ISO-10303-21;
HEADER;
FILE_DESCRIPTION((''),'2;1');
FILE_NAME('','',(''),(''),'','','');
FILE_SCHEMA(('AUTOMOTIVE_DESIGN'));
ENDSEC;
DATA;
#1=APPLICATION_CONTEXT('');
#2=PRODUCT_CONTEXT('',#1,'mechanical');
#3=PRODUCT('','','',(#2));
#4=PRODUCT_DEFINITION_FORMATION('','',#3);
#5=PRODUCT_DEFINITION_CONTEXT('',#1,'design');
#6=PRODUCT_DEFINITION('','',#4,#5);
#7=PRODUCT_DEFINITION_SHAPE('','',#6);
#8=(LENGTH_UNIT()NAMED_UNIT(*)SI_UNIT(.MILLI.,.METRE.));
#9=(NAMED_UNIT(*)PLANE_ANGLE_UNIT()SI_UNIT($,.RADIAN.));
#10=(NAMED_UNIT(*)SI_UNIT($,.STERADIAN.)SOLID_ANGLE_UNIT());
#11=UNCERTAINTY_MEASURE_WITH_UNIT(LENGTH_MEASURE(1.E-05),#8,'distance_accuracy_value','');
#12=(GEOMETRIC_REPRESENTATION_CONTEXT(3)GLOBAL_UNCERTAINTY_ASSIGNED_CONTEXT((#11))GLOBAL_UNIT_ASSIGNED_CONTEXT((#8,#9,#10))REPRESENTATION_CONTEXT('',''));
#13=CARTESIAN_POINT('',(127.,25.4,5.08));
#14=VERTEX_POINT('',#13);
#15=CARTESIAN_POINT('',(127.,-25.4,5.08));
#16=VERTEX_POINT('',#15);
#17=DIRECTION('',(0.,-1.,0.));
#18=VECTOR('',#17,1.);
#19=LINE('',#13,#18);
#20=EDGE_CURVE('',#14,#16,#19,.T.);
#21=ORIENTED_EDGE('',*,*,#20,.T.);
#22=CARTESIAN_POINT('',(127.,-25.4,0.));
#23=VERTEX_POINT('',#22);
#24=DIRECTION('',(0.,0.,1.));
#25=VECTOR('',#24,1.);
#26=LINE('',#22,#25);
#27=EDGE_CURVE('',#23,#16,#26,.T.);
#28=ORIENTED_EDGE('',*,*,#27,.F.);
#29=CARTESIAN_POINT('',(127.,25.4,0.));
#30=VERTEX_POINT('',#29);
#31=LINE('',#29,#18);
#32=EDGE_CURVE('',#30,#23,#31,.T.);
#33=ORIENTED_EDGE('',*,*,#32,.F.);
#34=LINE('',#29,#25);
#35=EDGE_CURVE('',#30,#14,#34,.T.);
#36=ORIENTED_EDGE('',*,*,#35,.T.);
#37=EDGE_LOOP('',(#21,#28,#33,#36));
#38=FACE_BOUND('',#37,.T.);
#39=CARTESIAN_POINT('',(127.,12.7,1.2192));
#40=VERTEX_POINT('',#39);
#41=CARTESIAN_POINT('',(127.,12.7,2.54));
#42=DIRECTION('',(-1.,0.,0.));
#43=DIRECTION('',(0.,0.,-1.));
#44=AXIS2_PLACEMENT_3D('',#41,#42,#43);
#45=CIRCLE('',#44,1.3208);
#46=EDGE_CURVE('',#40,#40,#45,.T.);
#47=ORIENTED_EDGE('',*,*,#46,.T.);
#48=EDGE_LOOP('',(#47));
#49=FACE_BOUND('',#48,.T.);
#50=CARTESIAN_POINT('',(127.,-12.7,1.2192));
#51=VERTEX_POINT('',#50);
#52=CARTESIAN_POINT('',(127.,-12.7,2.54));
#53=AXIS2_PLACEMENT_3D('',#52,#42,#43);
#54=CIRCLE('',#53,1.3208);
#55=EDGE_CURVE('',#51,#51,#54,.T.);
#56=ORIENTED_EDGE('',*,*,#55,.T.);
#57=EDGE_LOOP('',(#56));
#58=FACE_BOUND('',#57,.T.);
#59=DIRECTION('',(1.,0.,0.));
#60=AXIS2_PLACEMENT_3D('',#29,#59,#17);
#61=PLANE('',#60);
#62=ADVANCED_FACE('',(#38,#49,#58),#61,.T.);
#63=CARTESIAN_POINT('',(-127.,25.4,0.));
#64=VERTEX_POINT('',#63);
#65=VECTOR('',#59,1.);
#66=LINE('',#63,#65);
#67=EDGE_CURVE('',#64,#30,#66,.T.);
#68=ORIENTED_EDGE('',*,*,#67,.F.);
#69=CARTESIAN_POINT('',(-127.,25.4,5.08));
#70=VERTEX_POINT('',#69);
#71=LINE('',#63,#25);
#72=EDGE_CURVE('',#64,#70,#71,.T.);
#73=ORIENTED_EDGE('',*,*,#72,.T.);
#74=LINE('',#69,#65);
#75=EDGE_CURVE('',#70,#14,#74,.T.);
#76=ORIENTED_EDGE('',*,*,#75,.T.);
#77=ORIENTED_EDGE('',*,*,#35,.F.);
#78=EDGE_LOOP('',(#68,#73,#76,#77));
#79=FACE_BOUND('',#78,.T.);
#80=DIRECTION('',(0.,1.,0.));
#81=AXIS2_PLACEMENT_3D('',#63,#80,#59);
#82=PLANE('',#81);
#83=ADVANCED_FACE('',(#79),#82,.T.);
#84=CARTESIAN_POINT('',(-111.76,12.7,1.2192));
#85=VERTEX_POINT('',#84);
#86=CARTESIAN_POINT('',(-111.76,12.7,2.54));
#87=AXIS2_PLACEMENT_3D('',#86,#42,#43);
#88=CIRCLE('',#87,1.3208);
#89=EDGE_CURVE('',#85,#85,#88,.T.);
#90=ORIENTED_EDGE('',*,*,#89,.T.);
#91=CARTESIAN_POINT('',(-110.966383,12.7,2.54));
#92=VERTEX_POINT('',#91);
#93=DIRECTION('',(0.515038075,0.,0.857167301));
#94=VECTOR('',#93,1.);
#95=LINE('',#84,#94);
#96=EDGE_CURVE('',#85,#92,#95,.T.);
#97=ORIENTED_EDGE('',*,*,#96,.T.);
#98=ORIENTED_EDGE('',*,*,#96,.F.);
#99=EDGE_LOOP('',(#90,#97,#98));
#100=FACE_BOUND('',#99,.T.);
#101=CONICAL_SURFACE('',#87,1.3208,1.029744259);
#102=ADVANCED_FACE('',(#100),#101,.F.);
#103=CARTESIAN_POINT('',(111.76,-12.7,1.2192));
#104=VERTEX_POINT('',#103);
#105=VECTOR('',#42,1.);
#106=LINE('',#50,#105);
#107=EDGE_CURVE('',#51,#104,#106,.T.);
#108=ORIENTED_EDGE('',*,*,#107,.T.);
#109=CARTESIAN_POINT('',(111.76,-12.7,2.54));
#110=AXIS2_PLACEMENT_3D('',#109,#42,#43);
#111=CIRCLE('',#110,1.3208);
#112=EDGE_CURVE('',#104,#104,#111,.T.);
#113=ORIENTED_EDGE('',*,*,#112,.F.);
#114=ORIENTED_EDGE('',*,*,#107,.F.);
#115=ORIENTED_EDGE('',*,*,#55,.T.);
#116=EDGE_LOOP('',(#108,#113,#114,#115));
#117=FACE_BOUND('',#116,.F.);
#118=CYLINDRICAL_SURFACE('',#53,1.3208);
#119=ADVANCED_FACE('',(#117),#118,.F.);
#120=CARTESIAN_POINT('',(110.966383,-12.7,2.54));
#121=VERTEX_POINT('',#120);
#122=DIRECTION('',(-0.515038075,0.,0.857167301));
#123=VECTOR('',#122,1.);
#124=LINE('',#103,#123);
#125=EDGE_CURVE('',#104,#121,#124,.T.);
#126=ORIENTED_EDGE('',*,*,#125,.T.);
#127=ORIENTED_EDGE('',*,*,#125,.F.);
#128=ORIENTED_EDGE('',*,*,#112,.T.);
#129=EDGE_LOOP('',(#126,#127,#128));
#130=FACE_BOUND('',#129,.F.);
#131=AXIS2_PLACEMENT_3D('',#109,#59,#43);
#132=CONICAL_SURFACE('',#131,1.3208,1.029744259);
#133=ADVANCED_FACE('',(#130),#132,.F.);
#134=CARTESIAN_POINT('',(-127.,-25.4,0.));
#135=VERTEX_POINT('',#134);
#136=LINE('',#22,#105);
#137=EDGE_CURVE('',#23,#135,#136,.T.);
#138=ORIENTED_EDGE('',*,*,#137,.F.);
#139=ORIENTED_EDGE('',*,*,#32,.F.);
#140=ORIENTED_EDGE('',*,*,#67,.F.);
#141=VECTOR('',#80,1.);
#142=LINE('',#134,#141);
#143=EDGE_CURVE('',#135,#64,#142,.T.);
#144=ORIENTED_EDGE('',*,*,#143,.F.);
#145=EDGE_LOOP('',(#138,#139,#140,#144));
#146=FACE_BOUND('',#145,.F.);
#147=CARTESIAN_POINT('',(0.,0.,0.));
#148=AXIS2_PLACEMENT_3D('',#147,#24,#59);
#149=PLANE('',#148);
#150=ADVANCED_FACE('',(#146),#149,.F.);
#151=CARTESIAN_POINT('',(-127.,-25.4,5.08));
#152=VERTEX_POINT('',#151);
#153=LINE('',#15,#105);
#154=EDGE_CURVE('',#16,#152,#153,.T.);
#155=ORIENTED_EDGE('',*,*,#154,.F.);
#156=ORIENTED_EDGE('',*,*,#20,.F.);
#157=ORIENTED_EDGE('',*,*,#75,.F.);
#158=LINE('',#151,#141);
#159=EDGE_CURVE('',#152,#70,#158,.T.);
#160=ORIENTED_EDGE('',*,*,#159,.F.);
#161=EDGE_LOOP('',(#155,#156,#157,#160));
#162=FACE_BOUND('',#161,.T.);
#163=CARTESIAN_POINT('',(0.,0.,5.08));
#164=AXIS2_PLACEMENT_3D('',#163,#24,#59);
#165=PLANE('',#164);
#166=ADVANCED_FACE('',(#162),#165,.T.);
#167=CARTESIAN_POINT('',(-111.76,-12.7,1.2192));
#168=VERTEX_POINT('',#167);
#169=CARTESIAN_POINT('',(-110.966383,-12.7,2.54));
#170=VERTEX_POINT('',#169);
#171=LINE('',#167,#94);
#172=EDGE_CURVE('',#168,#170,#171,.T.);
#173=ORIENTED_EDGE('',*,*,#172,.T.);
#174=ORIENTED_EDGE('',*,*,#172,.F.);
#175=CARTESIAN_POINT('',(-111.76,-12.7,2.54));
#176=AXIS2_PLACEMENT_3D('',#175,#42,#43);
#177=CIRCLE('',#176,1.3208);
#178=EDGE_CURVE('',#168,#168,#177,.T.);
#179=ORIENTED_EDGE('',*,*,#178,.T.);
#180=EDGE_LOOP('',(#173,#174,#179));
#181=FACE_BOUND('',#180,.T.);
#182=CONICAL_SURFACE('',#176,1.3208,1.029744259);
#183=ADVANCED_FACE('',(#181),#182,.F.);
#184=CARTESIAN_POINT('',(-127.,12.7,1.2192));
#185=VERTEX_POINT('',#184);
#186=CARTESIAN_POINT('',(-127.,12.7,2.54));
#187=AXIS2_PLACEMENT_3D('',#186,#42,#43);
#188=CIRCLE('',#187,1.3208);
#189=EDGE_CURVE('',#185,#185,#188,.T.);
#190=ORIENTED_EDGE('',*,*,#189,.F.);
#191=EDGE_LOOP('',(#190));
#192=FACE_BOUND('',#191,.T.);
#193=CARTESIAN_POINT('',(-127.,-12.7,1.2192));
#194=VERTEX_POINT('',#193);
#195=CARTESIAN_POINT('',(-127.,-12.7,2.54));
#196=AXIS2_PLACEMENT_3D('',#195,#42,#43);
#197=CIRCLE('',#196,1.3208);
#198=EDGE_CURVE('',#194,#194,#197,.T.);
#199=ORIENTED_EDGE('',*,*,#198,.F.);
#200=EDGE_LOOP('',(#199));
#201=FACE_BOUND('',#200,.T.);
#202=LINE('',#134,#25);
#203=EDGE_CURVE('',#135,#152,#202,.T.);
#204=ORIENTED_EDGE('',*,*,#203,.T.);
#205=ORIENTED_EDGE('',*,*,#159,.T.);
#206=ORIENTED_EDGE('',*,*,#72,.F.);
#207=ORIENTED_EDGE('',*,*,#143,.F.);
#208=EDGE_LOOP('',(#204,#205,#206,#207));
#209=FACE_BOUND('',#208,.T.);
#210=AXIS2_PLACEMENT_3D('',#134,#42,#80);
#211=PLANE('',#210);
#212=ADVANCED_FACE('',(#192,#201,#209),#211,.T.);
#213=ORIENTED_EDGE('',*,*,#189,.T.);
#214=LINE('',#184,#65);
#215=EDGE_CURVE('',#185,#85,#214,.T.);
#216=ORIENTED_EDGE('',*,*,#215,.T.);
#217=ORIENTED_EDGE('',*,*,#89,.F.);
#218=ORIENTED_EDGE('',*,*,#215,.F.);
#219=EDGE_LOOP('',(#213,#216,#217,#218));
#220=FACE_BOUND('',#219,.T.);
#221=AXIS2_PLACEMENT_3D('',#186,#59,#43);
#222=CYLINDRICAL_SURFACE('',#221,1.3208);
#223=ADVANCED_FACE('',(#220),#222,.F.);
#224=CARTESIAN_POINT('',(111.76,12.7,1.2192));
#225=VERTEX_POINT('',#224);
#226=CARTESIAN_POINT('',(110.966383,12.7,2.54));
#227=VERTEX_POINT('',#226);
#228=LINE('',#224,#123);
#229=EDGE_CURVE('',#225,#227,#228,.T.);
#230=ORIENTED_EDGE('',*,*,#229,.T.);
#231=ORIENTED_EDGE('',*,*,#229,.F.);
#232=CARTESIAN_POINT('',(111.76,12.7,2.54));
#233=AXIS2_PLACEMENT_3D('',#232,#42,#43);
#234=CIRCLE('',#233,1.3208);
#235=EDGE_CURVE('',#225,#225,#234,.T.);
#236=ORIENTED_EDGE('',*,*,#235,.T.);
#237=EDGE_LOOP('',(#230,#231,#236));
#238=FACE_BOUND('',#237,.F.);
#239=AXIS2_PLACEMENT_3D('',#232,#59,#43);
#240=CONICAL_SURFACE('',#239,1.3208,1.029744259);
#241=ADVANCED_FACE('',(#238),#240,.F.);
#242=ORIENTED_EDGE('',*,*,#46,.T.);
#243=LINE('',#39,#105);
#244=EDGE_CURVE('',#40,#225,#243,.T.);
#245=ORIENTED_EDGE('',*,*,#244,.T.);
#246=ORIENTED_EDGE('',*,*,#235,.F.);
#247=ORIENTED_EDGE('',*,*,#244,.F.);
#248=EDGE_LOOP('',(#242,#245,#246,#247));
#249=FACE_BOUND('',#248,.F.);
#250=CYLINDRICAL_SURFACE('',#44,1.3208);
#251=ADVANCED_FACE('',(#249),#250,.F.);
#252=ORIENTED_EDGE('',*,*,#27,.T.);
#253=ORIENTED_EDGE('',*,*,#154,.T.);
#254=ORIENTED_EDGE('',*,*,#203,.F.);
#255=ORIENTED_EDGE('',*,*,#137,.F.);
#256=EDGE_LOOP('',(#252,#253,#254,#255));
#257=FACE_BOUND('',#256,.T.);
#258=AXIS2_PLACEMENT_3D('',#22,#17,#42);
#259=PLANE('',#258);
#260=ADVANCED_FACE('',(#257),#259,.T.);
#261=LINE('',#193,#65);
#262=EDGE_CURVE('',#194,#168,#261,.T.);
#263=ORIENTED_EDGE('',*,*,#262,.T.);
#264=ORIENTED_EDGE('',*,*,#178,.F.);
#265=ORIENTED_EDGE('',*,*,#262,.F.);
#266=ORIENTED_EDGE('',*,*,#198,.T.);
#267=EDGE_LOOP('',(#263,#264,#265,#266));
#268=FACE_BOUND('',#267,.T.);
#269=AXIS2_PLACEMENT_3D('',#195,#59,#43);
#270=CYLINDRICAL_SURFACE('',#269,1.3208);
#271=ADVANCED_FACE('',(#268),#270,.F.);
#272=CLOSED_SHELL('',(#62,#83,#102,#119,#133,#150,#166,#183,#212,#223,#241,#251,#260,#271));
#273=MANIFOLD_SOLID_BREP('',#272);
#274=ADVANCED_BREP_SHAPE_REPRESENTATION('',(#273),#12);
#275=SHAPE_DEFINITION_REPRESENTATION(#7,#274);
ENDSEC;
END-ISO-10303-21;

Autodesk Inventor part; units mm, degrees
ref_plane "YZ Plane" through (0, 0, 0) normal (1, 0, 0) x (0, 1, 0)
ref_plane "XZ Plane" through (0, 0, 0) normal (0, 1, 0) x (-1, 0, 0)
ref_plane "XY Plane" through (0, 0, 0) normal (0, 0, 1) x (1, 0, 0)
sketch "Sketch1" plane through (0, 0, 0) normal (0, 0, 1) x (1, 0, 0)
  line L0 (-127, 25.4) -> (127, 25.4)
  line L1 (127, 25.4) -> (127, -25.4)
  line L2 (127, -25.4) -> (-127, -25.4)
  line L3 (-127, -25.4) -> (-127, 25.4)
  point P0 (0, 0)
  dimension "d0" = 254
  dimension "d1" = 50.8
  dimension "d2" = 25.4
  dimension "d3" = 127
extrude "Extrusion1" add sketch "Sketch1" along normal blind 5.08
sketch "Sketch2" plane through (127, -25.4, 0) normal (1, 0, 0) x (0, 0, -1)
  line L0 (-5.08, 50.8) -> (-5.08, 0) projected
  line L1 (0, 0) -> (-5.08, 0) projected
  line L2 (0, 50.8) -> (0, 0) projected
  line L3 (0, 50.8) -> (-5.08, 50.8) projected
  line L4 (-2.54, 50.8) -> (-2.54, 0) construction
  line L5 (1.016, 25.4) -> (-6.096, 25.4) construction
  point P0 (0, 25.4)
  point P1 (-2.54, 38.1)
  point P2 (-2.54, 12.7)
  dimension "d6" = 25.4
hole "Hole1" at (127, 12.7, 2.54) at (127, -12.7, 2.54) direction (-1, 0, 0) diameter 2.6416 depth 15.24 tip angle 118 thread size "6-32 UNC" class "2B" standard "ANSI Unified Screw Threads"
mirror "Mirror1" about plane through (0, 0, 0) normal (1, 0, 0) of "Hole1"
equation "\"d2\" = 0.5 * d1"
equation "\"d3\" = 0.5 * d0"
properties part number "J001394" material "ALUMINUM, 6061-T651"
